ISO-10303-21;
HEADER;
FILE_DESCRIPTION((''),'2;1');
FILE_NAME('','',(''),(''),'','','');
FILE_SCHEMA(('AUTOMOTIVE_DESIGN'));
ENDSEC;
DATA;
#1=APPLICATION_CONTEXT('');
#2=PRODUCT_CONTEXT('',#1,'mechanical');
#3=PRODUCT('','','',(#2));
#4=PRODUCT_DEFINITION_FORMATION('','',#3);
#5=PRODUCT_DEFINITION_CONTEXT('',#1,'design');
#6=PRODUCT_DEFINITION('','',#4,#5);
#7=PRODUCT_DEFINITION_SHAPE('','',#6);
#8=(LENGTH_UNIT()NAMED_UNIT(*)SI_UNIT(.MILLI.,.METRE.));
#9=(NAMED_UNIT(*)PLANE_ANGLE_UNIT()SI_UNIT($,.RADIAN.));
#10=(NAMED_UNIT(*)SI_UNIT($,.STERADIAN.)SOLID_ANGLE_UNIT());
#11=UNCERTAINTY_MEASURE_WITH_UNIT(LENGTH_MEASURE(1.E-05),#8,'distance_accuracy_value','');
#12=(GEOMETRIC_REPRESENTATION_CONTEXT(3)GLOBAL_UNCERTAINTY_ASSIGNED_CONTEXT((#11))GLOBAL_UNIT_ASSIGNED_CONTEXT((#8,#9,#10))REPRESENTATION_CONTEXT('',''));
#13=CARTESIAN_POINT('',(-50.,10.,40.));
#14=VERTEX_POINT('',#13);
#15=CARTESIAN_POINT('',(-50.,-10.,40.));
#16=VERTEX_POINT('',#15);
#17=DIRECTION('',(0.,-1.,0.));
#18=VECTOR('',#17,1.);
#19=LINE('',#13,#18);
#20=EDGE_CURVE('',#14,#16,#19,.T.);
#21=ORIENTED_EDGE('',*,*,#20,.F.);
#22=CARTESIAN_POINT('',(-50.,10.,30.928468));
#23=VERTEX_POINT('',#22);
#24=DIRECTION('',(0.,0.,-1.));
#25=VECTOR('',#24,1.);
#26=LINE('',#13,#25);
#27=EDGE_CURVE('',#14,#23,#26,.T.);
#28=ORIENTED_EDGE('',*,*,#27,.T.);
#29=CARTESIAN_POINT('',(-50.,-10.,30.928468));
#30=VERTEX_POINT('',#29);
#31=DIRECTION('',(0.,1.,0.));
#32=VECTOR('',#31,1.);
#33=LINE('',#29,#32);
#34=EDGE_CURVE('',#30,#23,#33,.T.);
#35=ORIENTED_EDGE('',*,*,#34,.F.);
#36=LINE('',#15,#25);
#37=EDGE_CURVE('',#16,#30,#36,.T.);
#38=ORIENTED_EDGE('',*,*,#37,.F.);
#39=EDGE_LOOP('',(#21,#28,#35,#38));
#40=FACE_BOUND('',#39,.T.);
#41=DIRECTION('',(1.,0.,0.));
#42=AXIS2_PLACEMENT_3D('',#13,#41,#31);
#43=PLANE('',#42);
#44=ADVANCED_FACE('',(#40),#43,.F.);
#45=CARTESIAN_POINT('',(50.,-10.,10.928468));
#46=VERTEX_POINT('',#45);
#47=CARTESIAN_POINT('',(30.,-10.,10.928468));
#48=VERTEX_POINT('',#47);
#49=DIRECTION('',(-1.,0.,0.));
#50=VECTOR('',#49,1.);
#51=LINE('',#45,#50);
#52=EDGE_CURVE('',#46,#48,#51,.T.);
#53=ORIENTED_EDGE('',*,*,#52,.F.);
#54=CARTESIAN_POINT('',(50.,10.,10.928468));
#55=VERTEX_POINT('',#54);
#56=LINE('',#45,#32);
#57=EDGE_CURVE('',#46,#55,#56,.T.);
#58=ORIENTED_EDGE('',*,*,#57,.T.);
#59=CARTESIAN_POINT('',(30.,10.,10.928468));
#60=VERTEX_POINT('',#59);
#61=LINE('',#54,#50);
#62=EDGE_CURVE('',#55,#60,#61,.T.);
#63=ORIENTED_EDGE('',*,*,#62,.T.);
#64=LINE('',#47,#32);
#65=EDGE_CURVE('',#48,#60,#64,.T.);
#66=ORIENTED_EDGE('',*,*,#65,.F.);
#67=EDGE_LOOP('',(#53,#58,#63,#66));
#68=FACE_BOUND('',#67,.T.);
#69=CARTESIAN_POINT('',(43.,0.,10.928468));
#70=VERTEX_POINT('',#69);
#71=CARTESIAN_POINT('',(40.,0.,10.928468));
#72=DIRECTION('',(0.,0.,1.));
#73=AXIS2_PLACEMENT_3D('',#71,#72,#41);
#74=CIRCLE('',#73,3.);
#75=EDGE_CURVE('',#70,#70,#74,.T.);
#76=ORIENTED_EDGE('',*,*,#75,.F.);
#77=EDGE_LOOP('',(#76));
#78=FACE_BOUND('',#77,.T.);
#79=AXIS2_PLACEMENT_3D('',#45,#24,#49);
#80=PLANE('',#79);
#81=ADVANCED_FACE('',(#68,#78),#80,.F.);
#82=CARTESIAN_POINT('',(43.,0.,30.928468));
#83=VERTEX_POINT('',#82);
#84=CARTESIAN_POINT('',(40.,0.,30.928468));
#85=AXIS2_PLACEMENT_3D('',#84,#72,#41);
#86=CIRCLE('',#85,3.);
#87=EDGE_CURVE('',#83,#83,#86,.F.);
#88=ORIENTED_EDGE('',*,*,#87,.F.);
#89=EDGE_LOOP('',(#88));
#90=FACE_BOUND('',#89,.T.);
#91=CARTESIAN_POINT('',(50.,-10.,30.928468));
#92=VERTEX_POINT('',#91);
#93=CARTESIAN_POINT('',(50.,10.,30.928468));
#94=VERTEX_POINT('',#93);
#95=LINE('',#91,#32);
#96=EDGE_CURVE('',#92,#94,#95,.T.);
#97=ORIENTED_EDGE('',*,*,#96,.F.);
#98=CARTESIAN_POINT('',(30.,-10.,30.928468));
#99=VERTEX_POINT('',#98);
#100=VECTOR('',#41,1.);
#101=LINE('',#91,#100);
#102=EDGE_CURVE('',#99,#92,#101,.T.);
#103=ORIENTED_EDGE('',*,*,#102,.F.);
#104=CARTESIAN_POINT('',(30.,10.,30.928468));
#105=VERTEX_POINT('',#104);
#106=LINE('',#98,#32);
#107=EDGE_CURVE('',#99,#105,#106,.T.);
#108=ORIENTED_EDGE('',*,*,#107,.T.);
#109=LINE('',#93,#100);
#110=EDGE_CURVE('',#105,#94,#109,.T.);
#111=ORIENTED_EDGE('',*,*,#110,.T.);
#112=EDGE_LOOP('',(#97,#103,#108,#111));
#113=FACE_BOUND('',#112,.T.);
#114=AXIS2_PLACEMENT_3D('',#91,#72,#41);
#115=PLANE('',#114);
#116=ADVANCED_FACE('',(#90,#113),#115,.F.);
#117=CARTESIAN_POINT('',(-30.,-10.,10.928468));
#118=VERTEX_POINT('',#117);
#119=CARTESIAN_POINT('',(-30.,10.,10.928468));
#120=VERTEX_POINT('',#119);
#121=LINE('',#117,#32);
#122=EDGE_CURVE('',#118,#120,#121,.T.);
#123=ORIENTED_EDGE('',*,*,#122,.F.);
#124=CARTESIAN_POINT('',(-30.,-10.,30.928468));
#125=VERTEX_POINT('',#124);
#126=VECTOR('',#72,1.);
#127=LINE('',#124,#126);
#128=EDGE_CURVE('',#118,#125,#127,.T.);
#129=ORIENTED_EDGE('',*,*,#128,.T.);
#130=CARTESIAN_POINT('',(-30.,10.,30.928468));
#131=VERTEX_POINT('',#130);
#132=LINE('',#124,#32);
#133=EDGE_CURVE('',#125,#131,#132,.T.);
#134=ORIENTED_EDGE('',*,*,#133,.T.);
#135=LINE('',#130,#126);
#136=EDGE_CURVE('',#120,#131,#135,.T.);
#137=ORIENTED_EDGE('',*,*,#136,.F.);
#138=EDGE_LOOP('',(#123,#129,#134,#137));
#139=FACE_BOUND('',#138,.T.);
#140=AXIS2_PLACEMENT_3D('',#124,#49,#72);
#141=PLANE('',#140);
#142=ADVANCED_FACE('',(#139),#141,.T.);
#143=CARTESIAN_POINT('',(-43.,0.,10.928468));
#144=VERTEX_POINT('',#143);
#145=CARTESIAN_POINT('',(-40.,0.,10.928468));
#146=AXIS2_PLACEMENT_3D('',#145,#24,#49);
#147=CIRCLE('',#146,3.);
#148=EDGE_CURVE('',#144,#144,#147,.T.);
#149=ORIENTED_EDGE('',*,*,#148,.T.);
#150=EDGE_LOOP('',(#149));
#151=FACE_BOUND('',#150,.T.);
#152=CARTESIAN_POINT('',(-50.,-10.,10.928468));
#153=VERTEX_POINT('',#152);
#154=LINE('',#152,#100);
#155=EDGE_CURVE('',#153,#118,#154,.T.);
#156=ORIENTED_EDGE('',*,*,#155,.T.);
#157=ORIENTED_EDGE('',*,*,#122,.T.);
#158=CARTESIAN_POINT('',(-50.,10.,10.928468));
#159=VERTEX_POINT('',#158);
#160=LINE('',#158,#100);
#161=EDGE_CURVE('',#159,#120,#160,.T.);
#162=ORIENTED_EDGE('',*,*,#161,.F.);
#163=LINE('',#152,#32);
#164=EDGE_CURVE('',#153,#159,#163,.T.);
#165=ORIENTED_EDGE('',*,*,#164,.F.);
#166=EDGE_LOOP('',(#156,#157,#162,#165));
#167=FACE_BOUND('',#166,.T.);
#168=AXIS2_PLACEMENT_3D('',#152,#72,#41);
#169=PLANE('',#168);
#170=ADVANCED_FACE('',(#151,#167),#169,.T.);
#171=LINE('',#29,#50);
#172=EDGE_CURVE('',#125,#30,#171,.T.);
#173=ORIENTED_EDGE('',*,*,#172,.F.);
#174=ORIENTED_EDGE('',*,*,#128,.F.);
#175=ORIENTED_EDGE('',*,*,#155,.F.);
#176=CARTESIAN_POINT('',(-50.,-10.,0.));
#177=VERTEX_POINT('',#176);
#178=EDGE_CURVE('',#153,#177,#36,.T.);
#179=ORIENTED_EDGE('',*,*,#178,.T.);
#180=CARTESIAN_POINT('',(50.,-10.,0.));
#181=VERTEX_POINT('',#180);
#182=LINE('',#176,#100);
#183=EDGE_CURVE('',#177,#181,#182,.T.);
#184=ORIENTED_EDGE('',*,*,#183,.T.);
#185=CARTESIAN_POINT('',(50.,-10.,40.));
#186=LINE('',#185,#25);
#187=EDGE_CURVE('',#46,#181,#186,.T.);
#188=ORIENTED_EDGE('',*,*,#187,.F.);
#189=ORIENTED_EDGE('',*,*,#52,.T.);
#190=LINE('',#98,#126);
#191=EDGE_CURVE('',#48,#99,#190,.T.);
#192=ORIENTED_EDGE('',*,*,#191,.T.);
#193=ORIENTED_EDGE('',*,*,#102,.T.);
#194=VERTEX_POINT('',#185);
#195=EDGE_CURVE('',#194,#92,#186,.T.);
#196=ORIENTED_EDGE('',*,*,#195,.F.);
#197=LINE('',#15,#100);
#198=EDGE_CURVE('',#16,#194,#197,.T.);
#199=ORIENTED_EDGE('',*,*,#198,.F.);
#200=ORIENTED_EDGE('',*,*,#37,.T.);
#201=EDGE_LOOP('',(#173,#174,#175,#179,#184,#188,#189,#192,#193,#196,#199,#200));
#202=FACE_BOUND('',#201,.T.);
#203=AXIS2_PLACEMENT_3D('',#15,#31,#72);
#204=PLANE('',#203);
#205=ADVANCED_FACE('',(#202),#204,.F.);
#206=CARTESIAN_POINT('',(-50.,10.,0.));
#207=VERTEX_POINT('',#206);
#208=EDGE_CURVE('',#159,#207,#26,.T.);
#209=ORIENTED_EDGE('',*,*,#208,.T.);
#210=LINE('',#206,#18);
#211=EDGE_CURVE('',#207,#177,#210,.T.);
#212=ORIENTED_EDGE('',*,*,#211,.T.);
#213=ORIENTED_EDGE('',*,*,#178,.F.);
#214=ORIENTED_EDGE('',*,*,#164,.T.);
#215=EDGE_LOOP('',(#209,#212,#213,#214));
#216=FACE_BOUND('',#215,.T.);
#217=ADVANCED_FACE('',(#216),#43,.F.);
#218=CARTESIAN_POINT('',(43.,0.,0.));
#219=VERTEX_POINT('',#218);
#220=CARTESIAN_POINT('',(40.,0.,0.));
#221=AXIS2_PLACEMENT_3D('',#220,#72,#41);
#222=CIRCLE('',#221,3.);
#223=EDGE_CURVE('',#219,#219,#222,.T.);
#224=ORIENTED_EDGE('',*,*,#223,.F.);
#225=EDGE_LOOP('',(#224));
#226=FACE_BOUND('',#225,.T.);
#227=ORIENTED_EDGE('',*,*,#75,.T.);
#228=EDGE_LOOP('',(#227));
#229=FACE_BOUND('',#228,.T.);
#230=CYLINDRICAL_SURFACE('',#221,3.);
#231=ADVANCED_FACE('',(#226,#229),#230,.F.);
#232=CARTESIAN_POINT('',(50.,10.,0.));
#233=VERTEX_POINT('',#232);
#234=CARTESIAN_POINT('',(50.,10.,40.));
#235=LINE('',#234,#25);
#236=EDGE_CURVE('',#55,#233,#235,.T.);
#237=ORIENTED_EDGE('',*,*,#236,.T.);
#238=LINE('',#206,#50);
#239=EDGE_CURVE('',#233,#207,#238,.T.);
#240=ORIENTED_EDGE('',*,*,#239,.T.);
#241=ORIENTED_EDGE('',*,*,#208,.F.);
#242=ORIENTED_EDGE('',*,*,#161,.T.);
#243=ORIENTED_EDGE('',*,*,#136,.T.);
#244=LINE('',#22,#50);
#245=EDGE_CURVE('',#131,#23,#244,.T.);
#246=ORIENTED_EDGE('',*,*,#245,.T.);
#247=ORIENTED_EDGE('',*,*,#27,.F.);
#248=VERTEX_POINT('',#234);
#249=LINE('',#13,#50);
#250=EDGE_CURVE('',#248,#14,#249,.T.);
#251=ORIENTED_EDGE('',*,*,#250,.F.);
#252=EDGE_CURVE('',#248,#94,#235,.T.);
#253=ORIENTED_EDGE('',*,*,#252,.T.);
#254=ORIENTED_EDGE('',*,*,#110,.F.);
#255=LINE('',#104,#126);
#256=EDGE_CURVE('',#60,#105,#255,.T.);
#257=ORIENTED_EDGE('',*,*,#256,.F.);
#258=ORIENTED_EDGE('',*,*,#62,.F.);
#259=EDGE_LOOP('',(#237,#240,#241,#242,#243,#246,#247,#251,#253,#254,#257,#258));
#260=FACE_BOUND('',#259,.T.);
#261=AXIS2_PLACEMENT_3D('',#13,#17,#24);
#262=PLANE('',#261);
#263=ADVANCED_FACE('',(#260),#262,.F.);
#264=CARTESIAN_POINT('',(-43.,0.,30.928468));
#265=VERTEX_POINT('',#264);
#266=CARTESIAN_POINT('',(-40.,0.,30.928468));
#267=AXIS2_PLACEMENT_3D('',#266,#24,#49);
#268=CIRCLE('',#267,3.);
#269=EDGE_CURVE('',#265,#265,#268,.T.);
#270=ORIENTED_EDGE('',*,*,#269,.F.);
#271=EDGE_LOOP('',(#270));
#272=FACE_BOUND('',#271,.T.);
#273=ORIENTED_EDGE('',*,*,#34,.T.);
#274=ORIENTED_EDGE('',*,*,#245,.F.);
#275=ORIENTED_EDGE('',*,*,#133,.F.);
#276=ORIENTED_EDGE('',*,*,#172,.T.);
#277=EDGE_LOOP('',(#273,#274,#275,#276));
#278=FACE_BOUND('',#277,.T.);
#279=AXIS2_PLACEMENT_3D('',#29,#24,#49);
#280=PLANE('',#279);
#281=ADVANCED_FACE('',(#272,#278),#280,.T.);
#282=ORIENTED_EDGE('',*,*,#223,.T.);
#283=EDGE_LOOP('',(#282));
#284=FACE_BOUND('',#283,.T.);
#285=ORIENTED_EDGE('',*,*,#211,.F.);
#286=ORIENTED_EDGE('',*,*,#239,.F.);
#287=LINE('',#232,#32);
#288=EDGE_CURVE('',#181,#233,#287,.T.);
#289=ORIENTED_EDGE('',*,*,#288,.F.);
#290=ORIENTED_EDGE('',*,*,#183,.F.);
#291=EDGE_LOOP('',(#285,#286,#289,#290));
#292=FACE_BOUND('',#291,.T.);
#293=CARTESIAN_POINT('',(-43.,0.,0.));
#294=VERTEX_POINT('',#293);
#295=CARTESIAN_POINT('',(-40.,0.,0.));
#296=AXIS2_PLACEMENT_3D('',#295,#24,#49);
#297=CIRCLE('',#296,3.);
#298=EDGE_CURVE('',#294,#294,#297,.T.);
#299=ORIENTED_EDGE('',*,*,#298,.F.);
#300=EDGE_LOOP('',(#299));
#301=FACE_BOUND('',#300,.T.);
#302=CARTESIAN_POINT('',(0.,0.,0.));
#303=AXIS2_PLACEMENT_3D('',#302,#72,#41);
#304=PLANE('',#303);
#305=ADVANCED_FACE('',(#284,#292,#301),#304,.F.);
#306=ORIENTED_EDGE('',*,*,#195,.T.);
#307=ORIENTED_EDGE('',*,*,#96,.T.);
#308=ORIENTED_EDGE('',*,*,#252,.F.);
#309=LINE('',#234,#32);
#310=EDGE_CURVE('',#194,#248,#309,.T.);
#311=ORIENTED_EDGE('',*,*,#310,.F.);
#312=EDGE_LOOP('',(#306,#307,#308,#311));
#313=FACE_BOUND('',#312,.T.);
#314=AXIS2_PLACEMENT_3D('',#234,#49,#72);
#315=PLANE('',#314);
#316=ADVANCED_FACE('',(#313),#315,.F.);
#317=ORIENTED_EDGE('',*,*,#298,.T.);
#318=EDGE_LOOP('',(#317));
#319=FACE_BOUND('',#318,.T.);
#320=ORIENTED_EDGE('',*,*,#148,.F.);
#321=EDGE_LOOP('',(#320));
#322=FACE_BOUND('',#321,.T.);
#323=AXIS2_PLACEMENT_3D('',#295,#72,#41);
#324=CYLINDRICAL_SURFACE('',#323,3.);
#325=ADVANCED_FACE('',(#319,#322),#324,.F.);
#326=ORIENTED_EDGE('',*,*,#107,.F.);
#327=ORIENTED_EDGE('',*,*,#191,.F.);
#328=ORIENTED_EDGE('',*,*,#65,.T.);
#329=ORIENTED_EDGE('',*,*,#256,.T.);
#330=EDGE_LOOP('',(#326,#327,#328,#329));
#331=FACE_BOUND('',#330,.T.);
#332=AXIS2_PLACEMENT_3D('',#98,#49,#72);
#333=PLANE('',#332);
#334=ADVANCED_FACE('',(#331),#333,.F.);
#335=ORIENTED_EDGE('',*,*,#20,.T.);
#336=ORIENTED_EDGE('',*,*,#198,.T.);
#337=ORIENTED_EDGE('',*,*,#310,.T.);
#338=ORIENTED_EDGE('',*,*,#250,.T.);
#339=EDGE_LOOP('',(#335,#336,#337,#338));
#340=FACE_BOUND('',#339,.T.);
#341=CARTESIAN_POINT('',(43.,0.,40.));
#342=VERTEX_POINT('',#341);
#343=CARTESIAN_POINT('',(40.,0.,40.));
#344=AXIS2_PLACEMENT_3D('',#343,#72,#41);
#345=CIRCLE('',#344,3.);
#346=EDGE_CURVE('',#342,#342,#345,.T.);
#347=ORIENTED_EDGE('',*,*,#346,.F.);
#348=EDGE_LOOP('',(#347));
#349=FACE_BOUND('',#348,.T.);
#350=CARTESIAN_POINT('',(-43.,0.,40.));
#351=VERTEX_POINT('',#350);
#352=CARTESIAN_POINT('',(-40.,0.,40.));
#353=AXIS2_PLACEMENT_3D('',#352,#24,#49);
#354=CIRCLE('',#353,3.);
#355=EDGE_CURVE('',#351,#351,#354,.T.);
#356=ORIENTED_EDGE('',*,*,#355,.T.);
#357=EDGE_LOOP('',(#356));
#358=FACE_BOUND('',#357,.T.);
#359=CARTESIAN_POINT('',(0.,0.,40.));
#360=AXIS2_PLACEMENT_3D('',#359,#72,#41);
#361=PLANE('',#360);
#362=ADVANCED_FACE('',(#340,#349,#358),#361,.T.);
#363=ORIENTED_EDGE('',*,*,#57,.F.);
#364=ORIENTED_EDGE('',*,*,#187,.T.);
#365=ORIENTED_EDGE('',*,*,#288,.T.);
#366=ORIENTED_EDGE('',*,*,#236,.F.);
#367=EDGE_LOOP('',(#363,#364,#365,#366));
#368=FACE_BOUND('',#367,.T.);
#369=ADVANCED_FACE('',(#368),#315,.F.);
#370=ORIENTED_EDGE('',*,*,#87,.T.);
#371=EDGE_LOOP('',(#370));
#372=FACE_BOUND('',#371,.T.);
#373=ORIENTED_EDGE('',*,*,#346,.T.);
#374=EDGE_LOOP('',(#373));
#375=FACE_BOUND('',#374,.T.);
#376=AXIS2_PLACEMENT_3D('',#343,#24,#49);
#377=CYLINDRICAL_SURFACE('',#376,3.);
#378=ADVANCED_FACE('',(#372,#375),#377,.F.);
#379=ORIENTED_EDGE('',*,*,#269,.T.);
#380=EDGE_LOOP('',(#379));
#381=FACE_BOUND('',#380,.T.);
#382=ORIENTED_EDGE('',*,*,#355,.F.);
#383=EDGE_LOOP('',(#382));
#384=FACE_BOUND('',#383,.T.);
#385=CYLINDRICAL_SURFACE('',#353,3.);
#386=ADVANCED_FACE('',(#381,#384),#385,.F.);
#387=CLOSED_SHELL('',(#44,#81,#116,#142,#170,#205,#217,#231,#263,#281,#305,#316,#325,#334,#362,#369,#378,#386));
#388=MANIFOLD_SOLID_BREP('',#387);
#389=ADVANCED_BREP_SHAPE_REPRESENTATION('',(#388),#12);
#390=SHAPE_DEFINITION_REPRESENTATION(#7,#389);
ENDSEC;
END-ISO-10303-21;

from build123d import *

# Parameters (mm, degrees)
SKETCH_1_W               = 100
SKETCH_1_H               = 20
EXTRUDE_1_DEPTH          = 40
CUT_EXTRUDE_1_DEPTH      = 68.082039325
SKETCH_4_R               = 3
CUT_EXTRUDE_2_DEPTH      = 59.695433862
MIRROR_3_COPY_1_SKETCH_R = 3
MIRROR_3_COPY_1_DEPTH    = 59.695433862


with BuildPart() as part:
    # 草图1 → 凸台-拉伸1 (new body)
    with BuildSketch(Plane.XY):
        Rectangle(SKETCH_1_W, SKETCH_1_H)
    extrude(amount=EXTRUDE_1_DEPTH)

    # 草图2 → 切除-拉伸1 (cut, through all)
    with BuildSketch(Plane(origin=(0, 10, 0), x_dir=(1, 0, 0), z_dir=(0, 1, 0))):
        Polygon((50, -10.928468285), (50, -20.928468285), (50, -30.928468285), (30, -30.928468285), (30, -10.928468285), align=None)
    cut_extrude_1 = extrude(amount=-CUT_EXTRUDE_1_DEPTH, mode=Mode.SUBTRACT)

    # 镜向1: 切除-拉伸1 across plane
    add(cut_extrude_1.mirror(Plane(origin=(0, 0, 0), x_dir=(0, 0, 1), z_dir=(1, 0, 0))), mode=Mode.SUBTRACT)

    # 草图4 → 切除-拉伸2 (cut, through all)
    with BuildSketch(Plane.XY.offset(10.928468285)):
        with Locations((40, 0)):
            Circle(SKETCH_4_R)
    cut_extrude_2 = extrude(amount=-CUT_EXTRUDE_2_DEPTH, mode=Mode.SUBTRACT)

    # 镜向2: 切除-拉伸2 across plane
    add(cut_extrude_2.mirror(Plane(origin=(0, 0, 0), x_dir=(0, 0, 1), z_dir=(1, 0, 0))), mode=Mode.SUBTRACT)

    # 镜向3: 切除-拉伸2 across plane
    add(cut_extrude_2.mirror(Plane.XY.offset(20)), mode=Mode.SUBTRACT)

    # 镜向3 copy 1 sketch → 镜向3 copy 1 (cut, through all)
    with BuildSketch(Plane(origin=(0, 0, 29.071531715), x_dir=(-1, 0, 0), z_dir=(0, 0, -1))):
        with Locations((40, 0)):
            Circle(MIRROR_3_COPY_1_SKETCH_R)
    extrude(amount=-MIRROR_3_COPY_1_DEPTH, mode=Mode.SUBTRACT)


solid = part.part
